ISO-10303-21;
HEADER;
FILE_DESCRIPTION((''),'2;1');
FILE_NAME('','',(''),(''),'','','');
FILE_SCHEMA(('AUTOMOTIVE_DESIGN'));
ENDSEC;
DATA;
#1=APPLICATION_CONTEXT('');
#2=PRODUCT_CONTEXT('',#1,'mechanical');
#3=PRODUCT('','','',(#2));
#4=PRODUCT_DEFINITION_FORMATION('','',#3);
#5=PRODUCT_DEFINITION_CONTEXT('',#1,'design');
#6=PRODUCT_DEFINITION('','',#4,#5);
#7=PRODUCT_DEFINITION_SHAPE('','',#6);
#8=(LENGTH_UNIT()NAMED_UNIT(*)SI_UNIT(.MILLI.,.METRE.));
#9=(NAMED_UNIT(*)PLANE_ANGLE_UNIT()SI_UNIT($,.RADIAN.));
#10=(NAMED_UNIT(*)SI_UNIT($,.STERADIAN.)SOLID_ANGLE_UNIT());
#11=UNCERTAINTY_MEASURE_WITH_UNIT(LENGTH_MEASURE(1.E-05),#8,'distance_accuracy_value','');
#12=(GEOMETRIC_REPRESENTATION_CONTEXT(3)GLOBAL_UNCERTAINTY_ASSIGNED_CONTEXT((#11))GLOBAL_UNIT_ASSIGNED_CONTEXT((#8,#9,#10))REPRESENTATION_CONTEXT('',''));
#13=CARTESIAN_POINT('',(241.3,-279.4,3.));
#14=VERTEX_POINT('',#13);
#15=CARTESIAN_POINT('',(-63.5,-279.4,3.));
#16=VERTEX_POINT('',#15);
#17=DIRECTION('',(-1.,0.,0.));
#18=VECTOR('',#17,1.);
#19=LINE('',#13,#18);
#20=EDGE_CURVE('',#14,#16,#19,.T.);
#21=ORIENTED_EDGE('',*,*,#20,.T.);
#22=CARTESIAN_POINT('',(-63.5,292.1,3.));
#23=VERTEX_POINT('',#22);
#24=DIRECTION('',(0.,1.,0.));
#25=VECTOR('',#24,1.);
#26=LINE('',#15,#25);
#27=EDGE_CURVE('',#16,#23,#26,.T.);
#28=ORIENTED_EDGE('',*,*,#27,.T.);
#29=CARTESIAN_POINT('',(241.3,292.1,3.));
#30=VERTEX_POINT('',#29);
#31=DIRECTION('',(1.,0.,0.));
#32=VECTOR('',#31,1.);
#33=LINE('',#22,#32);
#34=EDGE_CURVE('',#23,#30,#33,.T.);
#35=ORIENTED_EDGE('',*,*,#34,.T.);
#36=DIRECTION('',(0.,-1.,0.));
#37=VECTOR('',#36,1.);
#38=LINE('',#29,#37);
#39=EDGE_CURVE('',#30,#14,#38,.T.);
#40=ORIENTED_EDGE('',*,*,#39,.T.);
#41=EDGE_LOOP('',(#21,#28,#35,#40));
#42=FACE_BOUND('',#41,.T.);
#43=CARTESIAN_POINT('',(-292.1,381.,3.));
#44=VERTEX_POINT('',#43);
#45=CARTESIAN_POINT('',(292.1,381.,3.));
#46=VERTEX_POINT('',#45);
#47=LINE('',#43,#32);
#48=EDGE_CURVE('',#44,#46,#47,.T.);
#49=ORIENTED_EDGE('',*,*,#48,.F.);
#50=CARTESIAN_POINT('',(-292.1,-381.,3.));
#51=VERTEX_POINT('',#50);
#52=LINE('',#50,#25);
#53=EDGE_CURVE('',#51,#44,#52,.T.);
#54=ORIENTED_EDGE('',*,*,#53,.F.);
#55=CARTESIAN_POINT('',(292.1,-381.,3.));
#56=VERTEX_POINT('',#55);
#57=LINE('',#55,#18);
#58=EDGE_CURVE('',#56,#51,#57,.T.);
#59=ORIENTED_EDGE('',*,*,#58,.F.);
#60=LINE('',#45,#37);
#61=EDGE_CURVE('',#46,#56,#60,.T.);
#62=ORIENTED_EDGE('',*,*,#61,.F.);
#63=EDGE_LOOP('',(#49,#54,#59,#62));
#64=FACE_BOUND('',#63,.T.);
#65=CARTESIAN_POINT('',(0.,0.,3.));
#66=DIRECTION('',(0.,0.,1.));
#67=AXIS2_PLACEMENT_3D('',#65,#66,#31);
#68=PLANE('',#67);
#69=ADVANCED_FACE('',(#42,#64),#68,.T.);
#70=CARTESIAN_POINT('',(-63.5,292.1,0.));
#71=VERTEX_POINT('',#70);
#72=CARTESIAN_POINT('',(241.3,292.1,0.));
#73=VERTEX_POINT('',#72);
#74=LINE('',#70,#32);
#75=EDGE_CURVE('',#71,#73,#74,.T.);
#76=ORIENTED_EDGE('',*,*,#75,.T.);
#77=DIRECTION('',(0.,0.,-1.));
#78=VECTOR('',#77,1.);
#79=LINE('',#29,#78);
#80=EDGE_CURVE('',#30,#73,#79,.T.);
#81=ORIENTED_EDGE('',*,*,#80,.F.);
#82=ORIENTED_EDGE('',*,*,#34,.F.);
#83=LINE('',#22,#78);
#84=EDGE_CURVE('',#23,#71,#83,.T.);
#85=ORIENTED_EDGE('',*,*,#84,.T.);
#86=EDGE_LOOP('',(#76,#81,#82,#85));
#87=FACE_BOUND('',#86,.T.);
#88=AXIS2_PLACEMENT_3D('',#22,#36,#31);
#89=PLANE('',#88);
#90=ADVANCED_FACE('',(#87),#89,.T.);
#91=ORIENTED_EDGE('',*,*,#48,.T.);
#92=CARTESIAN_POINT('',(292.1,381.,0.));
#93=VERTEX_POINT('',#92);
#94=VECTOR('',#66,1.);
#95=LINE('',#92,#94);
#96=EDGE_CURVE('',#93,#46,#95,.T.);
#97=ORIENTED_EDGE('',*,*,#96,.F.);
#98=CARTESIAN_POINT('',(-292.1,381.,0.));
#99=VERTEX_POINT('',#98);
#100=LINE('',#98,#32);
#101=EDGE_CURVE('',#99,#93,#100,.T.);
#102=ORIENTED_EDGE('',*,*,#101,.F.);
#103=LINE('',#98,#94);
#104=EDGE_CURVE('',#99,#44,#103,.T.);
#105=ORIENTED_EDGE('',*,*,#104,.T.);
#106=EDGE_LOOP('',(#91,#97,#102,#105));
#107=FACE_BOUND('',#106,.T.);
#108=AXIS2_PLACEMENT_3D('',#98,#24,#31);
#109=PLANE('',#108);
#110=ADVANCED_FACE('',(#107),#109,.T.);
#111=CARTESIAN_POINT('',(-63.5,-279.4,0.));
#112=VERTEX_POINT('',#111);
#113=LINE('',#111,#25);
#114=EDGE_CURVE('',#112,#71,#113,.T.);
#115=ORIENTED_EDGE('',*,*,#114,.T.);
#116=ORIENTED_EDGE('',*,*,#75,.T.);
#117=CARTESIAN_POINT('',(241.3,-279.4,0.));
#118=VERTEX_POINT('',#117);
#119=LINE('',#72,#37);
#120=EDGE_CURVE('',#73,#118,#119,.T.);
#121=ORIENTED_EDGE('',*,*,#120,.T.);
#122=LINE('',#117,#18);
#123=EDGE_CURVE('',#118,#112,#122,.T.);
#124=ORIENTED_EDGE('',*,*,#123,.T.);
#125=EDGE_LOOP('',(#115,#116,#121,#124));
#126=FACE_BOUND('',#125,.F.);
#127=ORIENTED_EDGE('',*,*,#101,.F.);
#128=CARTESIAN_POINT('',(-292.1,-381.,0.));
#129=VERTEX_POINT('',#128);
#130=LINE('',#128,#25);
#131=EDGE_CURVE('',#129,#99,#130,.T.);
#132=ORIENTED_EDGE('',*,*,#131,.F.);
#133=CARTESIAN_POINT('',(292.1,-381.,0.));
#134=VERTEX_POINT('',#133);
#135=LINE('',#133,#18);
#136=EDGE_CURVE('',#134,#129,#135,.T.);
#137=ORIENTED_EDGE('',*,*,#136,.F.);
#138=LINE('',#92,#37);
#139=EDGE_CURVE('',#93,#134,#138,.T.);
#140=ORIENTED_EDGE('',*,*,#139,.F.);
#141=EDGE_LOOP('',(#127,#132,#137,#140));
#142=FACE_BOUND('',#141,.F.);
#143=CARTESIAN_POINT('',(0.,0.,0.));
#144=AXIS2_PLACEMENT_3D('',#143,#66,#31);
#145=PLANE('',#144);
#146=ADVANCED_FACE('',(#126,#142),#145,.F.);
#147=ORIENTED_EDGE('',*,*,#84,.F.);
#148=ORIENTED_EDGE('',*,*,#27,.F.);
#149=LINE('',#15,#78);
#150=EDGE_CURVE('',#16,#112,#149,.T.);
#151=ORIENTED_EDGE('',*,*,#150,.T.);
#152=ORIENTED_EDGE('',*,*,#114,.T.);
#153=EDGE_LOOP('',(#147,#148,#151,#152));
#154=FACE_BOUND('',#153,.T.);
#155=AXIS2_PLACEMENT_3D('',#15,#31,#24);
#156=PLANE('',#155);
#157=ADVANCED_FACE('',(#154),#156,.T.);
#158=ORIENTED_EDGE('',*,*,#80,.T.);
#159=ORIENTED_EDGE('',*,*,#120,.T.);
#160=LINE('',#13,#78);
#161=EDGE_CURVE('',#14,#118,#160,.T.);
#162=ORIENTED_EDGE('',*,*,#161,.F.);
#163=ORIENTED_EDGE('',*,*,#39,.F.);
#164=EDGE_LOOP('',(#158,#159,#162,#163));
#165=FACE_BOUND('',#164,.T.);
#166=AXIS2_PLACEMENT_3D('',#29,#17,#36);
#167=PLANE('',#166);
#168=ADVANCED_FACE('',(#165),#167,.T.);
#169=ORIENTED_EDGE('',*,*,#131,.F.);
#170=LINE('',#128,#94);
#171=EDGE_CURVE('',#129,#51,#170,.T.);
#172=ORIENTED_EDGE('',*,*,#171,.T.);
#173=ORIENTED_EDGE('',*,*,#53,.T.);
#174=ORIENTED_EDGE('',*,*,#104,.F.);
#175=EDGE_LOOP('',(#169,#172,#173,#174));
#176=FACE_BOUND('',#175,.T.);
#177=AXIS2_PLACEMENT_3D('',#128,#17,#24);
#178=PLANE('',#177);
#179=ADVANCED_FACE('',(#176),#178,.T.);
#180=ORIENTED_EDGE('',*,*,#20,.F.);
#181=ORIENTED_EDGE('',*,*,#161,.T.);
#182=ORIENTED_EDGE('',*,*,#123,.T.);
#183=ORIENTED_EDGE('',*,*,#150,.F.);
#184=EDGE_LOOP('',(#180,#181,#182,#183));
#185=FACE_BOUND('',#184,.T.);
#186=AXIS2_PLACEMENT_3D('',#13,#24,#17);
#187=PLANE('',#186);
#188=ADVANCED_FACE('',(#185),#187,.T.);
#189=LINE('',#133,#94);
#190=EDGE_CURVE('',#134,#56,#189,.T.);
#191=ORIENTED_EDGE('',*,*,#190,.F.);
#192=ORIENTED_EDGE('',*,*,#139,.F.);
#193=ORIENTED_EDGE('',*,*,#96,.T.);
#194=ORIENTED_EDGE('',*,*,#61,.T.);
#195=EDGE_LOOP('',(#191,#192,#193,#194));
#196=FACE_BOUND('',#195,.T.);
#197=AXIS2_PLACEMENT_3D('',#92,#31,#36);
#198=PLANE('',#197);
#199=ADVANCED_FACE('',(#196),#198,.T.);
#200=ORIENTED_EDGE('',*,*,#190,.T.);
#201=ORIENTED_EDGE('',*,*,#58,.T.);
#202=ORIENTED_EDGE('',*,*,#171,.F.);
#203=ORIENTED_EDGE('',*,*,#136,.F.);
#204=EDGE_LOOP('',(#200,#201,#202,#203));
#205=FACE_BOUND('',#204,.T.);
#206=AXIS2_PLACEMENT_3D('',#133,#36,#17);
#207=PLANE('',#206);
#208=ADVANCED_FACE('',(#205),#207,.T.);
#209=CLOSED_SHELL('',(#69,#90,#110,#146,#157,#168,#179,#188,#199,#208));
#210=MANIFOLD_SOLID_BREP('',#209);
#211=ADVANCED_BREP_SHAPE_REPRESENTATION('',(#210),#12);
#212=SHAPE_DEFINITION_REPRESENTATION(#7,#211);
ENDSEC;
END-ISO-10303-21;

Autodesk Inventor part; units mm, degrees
ref_plane "YZ Plane" through (0, 0, 0) normal (1, 0, 0) x (0, 1, 0)
ref_plane "XZ Plane" through (0, 0, 0) normal (0, 1, 0) x (-1, 0, 0)
ref_plane "XY Plane" through (0, 0, 0) normal (0, 0, 1) x (1, 0, 0)
sketch "Sketch1" plane through (0, 0, 0) normal (0, 0, 1) x (1, 0, 0)
  line L0 (-292.1, 381) -> (292.1, 381)
  line L1 (292.1, 381) -> (292.1, -381)
  line L2 (292.1, -381) -> (-292.1, -381)
  line L3 (-292.1, -381) -> (-292.1, 381)
  point P0 (0, 0)
  point P1 (0, 381)
  point P2 (292.1, 0)
  dimension "d0" = 584.2
  dimension "d1" = 762
extrude "Extrusion1" add sketch "Sketch1" along normal blind 3
sketch "Sketch2" plane through (0, 0, 3) normal (0, 0, 1) x (1, 0, 0)
  line L0 (292.1, 381) -> (292.1, -381) projected
  line L1 (292.1, -381) -> (-292.1, -381) projected
  line L2 (-63.5, 292.1) -> (241.3, 292.1)
  line L3 (241.3, 292.1) -> (241.3, -279.4)
  line L4 (241.3, -279.4) -> (-63.5, -279.4)
  line L5 (-63.5, -279.4) -> (-63.5, 292.1)
  point P0 (0, 0)
  dimension "d4" = 50.8
  dimension "d5" = 101.6
  dimension "d6" = 571.5
  dimension "d7" = 304.8
extrude "Extrusion2" cut sketch "Sketch2" against normal blind 3
properties part number "Left Side"
